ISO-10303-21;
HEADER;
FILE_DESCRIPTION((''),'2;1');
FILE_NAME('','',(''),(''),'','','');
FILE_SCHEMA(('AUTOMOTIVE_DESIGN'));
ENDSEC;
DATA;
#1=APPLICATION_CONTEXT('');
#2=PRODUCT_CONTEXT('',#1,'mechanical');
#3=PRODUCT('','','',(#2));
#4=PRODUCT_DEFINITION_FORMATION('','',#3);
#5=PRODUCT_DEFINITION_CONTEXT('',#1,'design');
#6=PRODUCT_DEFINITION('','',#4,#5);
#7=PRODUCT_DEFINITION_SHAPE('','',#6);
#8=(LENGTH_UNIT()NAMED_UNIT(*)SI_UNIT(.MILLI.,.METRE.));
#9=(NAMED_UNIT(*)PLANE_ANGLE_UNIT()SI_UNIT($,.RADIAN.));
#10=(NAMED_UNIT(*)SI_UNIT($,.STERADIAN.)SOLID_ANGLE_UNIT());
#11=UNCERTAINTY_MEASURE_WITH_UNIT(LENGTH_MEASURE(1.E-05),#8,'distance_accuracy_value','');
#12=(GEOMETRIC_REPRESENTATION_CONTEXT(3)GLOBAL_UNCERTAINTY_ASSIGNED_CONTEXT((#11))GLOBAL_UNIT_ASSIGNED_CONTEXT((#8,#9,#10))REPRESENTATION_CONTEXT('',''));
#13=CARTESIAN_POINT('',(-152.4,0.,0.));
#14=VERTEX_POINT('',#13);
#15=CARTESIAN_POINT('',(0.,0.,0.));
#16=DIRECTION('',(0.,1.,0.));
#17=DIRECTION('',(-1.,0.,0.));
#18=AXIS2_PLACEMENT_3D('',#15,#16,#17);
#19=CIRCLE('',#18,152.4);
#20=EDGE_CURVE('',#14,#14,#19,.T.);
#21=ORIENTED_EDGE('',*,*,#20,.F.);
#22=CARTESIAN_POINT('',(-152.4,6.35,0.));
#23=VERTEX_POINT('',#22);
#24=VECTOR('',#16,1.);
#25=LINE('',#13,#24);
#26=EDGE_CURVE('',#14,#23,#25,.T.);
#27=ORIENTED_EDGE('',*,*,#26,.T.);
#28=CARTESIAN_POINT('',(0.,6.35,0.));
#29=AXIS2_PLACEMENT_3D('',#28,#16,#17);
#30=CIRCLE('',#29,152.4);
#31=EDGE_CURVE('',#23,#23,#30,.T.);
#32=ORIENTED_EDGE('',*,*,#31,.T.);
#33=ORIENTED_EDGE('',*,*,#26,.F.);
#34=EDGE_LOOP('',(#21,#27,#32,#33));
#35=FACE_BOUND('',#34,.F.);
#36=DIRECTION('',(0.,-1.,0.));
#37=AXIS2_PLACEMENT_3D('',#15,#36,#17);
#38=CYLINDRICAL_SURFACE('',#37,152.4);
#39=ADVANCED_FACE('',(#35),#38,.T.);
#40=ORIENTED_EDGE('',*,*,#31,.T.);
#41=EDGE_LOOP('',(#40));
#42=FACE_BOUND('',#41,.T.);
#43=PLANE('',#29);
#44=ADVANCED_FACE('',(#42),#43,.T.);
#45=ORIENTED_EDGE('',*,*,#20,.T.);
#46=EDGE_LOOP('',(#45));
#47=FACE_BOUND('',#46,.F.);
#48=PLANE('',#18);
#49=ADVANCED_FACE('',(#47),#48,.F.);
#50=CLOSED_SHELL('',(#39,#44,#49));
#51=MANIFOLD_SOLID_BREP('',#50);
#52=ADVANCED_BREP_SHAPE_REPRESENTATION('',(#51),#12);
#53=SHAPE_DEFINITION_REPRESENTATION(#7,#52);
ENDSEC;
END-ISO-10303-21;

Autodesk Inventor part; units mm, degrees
ref_plane "YZ Plane" through (0, 0, 0) normal (1, 0, 0) x (0, 1, 0)
ref_plane "XZ Plane" through (0, 0, 0) normal (0, 1, 0) x (-1, 0, 0)
ref_plane "XY Plane" through (0, 0, 0) normal (0, 0, 1) x (1, 0, 0)
sketch "Sketch1" plane through (0, 0, 0) normal (0, 1, 0) x (-1, 0, 0)
  circle A0 centre (0, 0) radius 152.4
  dimension "d0" = 304.8
extrude "Extrusion1" add sketch "Sketch1" along normal blind 6.35
properties material "Aluminum 6061"
